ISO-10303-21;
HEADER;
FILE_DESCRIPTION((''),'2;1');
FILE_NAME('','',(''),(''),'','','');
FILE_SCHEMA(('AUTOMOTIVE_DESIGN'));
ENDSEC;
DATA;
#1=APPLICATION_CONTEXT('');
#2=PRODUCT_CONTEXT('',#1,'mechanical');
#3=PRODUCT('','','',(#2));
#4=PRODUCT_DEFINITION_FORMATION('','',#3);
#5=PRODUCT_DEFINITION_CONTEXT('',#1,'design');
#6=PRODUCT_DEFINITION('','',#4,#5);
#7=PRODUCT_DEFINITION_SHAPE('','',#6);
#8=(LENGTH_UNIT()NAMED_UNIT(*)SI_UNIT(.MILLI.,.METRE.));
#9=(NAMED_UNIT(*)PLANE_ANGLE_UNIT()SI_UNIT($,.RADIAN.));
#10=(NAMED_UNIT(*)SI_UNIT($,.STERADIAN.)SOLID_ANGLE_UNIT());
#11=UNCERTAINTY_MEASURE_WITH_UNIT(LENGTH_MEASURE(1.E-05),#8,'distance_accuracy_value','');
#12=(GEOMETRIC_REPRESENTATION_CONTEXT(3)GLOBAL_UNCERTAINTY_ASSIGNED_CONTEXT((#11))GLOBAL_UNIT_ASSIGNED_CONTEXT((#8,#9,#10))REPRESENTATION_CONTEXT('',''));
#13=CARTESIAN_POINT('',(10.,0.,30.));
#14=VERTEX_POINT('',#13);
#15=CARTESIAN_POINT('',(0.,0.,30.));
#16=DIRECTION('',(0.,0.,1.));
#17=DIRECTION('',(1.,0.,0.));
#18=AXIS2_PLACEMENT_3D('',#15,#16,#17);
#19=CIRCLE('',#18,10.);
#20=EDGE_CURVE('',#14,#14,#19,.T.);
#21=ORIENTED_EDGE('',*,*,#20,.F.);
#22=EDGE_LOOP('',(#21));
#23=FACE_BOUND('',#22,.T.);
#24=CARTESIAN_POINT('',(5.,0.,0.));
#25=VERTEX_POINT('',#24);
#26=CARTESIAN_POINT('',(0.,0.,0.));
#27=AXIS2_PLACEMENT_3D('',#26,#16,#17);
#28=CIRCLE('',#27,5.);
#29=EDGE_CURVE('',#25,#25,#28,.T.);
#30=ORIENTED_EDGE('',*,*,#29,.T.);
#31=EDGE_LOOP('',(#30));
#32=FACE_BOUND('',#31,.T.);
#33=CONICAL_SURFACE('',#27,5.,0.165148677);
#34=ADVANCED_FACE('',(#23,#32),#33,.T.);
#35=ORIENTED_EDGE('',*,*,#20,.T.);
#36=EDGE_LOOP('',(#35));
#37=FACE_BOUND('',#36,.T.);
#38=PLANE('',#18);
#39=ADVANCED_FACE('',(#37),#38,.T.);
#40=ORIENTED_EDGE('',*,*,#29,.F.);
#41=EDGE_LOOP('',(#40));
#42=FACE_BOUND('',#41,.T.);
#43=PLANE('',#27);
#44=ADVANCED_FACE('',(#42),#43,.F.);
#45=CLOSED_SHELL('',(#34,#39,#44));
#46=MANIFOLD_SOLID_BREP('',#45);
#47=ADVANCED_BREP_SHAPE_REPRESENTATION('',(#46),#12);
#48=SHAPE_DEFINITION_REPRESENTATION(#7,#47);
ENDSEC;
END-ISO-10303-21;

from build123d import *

# Parameters (mm, degrees)
PROFILE1_R = 5
PROFILE2_R = 10


with BuildPart() as part:
    # Profile1 → loft_circle10_20 section 0
    with BuildSketch(Plane.XY):
        Circle(PROFILE1_R)
    # Profile2 → loft_circle10_20 section 1
    with BuildSketch(Plane.XY.offset(30)):
        Circle(PROFILE2_R)
    loft()


solid = part.part
